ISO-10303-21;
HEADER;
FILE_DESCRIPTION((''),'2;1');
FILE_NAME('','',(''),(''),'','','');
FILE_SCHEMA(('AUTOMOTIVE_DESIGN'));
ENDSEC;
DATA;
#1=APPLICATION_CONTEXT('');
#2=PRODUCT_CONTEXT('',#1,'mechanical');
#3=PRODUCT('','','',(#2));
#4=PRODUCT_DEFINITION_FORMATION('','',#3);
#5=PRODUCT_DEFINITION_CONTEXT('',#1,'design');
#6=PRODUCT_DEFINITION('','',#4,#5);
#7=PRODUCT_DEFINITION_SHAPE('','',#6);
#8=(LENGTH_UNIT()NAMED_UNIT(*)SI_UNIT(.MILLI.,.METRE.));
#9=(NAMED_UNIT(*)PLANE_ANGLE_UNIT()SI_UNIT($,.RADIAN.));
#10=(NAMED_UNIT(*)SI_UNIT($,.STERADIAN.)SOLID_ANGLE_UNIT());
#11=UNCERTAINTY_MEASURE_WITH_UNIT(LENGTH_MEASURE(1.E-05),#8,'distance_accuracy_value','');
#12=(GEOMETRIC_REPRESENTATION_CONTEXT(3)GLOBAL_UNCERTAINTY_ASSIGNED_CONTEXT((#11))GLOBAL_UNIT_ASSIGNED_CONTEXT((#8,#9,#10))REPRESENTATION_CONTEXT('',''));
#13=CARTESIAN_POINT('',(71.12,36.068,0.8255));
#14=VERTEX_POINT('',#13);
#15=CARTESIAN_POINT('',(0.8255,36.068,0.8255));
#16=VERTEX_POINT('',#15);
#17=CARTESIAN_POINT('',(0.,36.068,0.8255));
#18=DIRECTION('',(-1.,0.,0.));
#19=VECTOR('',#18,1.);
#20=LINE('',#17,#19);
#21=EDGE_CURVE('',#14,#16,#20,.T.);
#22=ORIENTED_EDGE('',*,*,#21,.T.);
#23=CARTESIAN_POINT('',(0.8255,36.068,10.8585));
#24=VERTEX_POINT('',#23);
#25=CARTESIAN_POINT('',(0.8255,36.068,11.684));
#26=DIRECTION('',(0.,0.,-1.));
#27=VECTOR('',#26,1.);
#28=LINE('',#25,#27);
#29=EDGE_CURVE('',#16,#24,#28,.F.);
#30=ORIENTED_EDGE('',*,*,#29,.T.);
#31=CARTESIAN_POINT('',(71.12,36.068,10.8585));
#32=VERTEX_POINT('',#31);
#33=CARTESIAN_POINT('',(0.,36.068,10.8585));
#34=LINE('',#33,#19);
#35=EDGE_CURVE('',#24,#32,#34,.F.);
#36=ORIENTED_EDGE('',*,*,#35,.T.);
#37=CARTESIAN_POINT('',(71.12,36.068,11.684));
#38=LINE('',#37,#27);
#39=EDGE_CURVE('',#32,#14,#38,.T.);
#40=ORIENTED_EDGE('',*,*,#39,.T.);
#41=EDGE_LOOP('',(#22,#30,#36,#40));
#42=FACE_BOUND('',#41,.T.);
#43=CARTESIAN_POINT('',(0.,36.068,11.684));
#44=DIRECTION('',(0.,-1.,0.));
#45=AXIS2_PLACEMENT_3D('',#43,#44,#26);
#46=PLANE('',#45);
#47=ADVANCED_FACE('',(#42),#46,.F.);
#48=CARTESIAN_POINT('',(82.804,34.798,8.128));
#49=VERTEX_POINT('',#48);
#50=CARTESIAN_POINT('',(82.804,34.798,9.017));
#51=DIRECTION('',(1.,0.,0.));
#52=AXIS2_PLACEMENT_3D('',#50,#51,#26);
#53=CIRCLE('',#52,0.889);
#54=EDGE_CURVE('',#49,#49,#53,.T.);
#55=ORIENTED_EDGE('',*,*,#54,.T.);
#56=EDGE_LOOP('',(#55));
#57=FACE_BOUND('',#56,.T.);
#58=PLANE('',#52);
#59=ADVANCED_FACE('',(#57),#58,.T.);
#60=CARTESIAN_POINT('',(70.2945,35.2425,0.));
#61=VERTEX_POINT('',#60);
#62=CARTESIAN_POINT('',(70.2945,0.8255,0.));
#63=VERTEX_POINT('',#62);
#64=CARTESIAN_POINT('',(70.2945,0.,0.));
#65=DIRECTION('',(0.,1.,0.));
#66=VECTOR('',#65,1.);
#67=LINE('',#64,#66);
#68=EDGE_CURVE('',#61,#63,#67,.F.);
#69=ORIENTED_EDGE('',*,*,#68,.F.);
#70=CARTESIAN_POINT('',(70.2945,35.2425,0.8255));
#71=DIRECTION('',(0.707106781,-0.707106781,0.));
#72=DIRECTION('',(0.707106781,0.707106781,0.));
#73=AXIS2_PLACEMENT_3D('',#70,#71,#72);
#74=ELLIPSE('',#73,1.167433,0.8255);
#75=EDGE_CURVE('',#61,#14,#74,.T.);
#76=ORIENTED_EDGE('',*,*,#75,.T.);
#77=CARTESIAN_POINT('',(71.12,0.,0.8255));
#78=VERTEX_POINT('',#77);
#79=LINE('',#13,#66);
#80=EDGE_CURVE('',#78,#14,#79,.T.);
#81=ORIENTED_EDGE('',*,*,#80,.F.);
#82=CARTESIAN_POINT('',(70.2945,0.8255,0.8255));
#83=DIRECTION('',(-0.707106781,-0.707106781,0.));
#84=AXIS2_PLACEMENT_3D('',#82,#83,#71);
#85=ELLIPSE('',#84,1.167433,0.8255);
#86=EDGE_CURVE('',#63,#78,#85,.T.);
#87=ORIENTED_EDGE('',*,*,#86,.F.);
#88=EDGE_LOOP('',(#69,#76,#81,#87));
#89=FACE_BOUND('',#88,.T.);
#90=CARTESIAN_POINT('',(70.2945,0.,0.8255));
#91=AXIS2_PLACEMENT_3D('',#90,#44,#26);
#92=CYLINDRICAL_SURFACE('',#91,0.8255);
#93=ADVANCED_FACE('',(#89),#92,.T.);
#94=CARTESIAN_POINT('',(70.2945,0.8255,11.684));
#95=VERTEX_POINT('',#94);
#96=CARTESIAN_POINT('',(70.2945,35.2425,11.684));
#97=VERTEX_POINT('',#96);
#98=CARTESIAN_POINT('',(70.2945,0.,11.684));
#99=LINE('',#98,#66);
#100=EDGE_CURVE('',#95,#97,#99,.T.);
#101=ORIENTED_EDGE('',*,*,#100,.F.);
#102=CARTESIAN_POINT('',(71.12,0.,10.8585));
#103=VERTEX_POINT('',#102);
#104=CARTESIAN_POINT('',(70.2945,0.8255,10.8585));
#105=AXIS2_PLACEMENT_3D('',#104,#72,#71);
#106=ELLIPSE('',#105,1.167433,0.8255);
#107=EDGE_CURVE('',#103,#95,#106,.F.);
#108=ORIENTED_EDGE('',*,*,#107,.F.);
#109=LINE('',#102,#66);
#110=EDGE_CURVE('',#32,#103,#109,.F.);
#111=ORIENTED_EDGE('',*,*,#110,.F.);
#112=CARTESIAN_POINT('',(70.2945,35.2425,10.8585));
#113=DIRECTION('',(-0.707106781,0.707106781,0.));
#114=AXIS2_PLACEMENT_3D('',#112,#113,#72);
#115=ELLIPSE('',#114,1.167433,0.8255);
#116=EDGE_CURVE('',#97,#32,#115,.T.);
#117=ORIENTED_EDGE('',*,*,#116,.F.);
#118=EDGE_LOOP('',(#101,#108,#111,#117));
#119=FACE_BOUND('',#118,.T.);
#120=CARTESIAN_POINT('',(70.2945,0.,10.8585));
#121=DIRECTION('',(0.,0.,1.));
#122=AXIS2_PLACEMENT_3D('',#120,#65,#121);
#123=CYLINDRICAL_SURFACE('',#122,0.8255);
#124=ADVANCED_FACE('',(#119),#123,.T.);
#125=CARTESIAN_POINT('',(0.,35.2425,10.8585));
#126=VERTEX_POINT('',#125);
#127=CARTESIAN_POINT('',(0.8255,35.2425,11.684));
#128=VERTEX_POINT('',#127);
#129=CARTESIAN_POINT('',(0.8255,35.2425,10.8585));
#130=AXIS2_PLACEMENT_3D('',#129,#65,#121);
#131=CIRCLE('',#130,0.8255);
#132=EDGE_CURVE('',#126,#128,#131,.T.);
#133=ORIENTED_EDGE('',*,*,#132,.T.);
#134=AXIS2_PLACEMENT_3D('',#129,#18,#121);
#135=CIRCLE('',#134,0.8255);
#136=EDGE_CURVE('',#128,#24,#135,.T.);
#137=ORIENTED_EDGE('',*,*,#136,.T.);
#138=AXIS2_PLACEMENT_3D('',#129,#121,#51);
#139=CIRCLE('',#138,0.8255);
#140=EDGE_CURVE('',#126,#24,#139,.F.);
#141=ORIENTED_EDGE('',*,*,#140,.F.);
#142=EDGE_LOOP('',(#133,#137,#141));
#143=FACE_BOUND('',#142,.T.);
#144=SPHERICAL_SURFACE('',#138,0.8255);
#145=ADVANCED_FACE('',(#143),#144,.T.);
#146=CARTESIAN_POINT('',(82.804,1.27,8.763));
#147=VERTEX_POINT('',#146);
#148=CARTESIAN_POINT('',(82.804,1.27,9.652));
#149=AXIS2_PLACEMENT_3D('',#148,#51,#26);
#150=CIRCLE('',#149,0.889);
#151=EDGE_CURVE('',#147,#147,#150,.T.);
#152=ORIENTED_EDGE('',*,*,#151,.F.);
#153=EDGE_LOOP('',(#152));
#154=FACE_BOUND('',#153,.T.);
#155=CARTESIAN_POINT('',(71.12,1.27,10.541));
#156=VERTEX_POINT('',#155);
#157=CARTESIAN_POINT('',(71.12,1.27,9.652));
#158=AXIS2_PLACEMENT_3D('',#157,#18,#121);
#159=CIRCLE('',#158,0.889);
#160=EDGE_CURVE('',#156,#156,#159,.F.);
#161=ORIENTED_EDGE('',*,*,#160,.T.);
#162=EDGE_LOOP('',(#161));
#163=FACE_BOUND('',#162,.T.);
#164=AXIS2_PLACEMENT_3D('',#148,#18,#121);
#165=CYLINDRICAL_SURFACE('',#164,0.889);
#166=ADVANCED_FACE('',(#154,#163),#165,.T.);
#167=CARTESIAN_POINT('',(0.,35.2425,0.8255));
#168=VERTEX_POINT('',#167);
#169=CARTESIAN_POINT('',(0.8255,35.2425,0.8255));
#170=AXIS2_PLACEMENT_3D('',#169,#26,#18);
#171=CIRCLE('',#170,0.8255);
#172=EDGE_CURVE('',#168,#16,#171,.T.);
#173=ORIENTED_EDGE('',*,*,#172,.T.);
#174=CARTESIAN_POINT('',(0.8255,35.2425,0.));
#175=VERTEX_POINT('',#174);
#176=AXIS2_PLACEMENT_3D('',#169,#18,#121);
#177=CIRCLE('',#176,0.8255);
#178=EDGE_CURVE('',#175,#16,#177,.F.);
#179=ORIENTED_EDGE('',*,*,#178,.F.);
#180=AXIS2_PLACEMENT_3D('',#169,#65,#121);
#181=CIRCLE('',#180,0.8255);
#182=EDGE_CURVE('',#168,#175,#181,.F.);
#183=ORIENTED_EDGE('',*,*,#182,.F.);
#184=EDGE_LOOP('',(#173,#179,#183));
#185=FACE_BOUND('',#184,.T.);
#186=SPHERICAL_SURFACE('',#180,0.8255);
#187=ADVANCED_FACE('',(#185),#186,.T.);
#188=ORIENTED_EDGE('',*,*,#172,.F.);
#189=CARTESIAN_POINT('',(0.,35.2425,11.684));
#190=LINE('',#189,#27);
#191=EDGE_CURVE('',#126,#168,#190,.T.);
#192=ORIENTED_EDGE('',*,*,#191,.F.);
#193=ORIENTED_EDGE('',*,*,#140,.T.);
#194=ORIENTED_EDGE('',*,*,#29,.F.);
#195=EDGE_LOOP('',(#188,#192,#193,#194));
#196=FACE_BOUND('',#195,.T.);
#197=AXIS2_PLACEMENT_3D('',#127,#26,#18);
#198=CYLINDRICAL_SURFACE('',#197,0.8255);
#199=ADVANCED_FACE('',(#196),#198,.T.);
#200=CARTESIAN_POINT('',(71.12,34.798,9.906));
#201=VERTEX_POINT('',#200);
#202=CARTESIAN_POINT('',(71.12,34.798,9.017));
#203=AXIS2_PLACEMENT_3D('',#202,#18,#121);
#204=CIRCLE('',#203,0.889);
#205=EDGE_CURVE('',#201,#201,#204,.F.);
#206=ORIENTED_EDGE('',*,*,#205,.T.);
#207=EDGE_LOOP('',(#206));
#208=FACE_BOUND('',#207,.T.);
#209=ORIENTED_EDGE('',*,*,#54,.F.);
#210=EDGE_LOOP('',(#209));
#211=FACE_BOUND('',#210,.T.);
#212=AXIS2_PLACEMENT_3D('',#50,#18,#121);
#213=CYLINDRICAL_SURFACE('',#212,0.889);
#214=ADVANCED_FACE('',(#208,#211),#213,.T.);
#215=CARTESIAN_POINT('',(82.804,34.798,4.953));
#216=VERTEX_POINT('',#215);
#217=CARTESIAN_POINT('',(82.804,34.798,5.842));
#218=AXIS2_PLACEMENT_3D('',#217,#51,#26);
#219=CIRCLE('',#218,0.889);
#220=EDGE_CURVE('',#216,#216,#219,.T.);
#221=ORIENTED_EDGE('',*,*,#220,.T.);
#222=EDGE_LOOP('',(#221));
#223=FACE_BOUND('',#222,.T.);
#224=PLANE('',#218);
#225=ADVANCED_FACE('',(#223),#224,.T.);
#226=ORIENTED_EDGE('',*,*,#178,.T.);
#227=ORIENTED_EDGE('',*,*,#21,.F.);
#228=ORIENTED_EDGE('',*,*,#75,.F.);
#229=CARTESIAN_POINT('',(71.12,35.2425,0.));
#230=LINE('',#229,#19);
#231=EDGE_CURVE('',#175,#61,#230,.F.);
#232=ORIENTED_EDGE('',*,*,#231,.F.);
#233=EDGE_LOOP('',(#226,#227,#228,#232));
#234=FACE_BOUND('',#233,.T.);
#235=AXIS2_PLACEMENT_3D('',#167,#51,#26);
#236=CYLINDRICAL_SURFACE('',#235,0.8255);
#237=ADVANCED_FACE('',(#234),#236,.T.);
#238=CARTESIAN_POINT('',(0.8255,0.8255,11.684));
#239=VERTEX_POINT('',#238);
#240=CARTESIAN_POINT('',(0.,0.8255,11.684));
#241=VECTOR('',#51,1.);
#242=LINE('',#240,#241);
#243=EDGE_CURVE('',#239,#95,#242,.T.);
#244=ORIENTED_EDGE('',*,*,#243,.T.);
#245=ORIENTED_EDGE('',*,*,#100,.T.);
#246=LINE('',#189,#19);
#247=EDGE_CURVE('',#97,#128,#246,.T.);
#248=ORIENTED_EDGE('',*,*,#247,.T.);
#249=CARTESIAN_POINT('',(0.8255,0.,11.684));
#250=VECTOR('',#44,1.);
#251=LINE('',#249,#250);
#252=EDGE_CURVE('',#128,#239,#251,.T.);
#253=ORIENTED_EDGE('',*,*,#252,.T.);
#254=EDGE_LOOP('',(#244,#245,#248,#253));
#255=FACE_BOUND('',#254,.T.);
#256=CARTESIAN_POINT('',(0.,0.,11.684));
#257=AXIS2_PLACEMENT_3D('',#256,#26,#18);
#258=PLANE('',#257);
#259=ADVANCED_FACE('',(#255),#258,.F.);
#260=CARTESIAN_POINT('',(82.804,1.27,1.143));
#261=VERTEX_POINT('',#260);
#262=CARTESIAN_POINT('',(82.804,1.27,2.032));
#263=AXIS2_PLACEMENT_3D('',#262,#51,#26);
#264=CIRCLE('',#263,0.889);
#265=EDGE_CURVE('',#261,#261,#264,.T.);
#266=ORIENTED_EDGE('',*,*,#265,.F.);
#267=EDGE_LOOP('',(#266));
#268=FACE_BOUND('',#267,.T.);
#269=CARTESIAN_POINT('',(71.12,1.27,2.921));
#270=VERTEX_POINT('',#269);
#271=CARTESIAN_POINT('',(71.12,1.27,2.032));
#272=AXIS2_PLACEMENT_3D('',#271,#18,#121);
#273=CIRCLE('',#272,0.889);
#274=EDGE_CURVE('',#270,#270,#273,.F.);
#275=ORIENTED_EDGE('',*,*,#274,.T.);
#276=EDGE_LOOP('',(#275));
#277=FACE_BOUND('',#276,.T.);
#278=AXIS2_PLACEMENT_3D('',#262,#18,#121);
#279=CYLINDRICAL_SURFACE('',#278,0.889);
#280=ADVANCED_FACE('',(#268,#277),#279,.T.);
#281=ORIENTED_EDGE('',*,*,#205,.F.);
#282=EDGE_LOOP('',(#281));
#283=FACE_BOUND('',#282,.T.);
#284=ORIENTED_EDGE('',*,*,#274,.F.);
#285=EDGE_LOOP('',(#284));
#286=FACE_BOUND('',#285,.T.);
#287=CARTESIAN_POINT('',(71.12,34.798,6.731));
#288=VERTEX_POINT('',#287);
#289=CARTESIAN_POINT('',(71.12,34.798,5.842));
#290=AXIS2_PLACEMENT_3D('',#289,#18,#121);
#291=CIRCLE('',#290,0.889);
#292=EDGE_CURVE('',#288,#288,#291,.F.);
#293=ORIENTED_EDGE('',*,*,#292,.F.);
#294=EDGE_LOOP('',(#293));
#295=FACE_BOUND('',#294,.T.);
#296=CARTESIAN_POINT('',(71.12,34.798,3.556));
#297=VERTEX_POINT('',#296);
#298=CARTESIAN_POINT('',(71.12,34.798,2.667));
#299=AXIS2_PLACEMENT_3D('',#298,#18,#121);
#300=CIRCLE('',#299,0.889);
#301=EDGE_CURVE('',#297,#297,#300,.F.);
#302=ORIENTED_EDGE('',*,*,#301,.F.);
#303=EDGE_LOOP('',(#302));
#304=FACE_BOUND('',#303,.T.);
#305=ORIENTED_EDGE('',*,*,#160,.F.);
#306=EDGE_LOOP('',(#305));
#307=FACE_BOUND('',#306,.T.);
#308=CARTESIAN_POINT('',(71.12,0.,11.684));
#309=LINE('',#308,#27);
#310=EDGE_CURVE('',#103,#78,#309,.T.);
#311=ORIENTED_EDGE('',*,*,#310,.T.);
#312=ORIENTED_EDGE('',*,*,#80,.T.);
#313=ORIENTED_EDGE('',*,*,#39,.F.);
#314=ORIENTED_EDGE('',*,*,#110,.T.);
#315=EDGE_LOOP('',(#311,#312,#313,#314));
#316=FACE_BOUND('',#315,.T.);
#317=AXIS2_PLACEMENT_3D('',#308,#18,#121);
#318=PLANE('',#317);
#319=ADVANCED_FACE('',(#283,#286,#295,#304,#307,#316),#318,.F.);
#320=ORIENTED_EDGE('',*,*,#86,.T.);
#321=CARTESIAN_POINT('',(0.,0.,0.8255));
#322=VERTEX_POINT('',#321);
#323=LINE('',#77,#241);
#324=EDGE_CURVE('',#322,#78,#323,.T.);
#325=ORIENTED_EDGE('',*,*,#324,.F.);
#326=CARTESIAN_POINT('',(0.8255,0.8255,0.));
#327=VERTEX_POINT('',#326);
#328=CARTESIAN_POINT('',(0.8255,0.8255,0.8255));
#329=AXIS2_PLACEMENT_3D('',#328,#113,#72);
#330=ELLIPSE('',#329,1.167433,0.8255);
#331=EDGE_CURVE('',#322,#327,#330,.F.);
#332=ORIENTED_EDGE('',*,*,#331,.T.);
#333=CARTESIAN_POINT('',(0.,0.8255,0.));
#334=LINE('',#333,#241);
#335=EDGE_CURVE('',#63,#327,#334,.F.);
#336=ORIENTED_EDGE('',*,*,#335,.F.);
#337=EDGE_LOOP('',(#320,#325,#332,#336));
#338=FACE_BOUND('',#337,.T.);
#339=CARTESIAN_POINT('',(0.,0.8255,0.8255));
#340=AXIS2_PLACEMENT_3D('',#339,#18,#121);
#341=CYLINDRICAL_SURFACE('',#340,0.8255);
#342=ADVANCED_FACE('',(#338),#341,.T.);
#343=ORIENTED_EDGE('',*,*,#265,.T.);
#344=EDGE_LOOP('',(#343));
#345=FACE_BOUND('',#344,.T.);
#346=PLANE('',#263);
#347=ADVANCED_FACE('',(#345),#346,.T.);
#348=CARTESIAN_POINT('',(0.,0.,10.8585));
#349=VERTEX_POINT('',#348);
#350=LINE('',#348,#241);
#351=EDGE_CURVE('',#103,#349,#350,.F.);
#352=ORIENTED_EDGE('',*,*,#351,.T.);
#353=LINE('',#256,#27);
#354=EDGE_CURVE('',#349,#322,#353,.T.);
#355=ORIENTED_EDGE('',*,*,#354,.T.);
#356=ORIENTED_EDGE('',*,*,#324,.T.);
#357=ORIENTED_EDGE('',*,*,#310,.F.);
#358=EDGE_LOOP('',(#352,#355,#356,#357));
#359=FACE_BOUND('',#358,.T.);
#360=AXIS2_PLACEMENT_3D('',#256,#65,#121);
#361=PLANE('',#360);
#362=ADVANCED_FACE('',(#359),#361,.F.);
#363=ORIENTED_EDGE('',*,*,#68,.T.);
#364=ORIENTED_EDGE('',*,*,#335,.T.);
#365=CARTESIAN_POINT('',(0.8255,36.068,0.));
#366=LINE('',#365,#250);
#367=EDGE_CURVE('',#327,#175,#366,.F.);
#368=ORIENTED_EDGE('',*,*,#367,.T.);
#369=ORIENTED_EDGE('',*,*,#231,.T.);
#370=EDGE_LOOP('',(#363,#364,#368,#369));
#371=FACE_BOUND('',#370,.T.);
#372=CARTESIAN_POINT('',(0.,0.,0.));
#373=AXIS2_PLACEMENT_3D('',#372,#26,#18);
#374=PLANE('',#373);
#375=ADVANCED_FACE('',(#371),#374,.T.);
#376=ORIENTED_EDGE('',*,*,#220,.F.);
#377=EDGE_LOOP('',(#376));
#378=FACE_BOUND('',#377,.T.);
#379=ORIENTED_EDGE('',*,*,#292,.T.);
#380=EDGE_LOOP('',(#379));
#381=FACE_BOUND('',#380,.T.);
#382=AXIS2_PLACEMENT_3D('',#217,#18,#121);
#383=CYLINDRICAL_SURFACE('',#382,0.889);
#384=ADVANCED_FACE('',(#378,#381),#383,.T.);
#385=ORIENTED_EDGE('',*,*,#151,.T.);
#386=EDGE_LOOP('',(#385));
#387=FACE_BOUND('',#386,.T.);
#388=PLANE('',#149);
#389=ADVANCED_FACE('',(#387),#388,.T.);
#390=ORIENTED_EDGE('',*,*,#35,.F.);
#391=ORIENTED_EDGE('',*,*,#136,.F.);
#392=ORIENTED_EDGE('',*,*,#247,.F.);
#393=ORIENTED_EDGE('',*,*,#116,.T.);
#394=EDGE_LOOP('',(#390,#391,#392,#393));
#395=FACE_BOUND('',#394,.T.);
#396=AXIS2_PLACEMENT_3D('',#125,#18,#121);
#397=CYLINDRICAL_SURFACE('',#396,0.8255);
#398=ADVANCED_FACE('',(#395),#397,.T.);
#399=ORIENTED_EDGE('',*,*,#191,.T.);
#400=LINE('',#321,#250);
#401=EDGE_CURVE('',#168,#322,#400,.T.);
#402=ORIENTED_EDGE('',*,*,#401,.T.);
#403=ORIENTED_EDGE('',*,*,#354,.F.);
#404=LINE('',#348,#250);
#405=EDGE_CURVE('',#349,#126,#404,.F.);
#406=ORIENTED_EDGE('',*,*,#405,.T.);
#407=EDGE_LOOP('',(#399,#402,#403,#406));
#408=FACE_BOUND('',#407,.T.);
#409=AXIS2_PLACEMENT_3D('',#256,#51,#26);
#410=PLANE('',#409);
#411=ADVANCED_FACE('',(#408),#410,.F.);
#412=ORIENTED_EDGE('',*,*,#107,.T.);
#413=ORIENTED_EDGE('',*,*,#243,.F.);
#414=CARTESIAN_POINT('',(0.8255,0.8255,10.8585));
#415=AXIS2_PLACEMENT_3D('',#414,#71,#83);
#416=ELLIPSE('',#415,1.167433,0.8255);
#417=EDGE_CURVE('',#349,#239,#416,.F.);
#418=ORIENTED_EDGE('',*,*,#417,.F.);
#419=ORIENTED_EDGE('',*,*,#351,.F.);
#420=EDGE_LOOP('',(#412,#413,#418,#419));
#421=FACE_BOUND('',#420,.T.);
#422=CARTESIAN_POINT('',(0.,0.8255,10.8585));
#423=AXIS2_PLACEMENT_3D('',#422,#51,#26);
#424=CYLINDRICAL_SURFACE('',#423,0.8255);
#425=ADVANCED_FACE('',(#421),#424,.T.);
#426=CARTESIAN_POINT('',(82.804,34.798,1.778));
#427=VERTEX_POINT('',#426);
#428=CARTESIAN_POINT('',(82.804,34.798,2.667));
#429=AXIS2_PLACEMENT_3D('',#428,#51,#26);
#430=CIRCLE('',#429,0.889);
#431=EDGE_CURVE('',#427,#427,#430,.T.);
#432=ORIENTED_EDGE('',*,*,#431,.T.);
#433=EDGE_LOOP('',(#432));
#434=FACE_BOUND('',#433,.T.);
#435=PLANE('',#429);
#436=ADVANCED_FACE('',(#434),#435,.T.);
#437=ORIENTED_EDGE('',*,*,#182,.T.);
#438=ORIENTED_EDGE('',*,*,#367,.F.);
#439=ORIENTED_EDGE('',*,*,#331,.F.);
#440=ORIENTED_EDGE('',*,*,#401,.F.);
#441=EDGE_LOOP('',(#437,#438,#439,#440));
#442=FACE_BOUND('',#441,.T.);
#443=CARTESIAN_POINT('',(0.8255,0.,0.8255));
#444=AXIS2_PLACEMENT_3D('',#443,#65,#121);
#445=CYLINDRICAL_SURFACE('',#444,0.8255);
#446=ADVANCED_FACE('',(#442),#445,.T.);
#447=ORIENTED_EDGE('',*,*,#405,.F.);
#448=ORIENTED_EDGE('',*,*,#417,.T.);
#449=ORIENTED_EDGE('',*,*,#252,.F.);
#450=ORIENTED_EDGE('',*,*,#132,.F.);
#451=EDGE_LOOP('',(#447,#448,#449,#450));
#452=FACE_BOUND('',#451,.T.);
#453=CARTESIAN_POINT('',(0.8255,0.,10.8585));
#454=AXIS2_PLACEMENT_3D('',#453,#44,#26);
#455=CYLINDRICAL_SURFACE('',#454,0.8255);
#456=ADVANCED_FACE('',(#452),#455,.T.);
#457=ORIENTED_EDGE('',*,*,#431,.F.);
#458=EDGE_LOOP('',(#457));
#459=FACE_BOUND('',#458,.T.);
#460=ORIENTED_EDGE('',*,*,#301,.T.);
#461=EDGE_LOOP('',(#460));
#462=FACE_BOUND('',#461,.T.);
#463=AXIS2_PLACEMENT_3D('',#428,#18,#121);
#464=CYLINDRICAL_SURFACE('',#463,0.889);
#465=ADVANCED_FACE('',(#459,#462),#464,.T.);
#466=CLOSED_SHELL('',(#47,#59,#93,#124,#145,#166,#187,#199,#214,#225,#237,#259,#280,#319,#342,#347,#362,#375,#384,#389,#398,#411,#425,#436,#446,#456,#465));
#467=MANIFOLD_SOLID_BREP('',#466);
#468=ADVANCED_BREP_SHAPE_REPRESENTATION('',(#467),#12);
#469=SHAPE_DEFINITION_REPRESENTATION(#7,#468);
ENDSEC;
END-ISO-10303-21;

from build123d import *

# Parameters (mm, degrees)
SKETCH1_W           = 71.12
SKETCH1_H           = 36.068
BOSS_EXTRUDE1_DEPTH = 11.684
SKETCH2_R           = 0.889
BOSS_EXTRUDE2_DEPTH = 11.684
FILLET1_R           = 0.8255


with BuildPart() as part:
    # Sketch1 → Boss-Extrude1 (new body)
    with BuildSketch(Plane.XY):
        with Locations((35.56, 18.034)):
            Rectangle(SKETCH1_W, SKETCH1_H)
    extrude(amount=BOSS_EXTRUDE1_DEPTH)

    # Sketch2 → Boss-Extrude2 (add)
    with BuildSketch(Plane(origin=(71.12, 0, 0), x_dir=(0, 0, -1), z_dir=(1, 0, 0))):
        with Locations(Location((-9.652, 1.27, 0), (0, 0, 180))):
            Circle(SKETCH2_R)
        with Locations(Location((-2.032, 1.27, 0), (0, 0, 180))):
            Circle(SKETCH2_R)
        with Locations(Location((-9.017, 34.798, 0), (0, 0, 180))):
            Circle(SKETCH2_R)
        with Locations(Location((-5.842, 34.798, 0), (0, 0, 180))):
            Circle(SKETCH2_R)
        with Locations(Location((-2.667, 34.798, 0), (0, 0, 180))):
            Circle(SKETCH2_R)
    extrude(amount=BOSS_EXTRUDE2_DEPTH)

    # Fillet1
    fillet1_edges = [part.edges().sort_by_distance(p)[0] for p in [
        (71.12, 18.034, 11.684),
        (35.56, 36.068, 11.684),
        (0, 18.034, 11.684),
        (35.56, 36.068, 0),
        (71.12, 18.034, 0),
        (35.56, 0, 0),
        (0, 18.034, 0),
        (0, 36.068, 5.842),
        (35.56, 0, 11.684),
    ]]
    fillet(fillet1_edges, radius=FILLET1_R)


solid = part.part
